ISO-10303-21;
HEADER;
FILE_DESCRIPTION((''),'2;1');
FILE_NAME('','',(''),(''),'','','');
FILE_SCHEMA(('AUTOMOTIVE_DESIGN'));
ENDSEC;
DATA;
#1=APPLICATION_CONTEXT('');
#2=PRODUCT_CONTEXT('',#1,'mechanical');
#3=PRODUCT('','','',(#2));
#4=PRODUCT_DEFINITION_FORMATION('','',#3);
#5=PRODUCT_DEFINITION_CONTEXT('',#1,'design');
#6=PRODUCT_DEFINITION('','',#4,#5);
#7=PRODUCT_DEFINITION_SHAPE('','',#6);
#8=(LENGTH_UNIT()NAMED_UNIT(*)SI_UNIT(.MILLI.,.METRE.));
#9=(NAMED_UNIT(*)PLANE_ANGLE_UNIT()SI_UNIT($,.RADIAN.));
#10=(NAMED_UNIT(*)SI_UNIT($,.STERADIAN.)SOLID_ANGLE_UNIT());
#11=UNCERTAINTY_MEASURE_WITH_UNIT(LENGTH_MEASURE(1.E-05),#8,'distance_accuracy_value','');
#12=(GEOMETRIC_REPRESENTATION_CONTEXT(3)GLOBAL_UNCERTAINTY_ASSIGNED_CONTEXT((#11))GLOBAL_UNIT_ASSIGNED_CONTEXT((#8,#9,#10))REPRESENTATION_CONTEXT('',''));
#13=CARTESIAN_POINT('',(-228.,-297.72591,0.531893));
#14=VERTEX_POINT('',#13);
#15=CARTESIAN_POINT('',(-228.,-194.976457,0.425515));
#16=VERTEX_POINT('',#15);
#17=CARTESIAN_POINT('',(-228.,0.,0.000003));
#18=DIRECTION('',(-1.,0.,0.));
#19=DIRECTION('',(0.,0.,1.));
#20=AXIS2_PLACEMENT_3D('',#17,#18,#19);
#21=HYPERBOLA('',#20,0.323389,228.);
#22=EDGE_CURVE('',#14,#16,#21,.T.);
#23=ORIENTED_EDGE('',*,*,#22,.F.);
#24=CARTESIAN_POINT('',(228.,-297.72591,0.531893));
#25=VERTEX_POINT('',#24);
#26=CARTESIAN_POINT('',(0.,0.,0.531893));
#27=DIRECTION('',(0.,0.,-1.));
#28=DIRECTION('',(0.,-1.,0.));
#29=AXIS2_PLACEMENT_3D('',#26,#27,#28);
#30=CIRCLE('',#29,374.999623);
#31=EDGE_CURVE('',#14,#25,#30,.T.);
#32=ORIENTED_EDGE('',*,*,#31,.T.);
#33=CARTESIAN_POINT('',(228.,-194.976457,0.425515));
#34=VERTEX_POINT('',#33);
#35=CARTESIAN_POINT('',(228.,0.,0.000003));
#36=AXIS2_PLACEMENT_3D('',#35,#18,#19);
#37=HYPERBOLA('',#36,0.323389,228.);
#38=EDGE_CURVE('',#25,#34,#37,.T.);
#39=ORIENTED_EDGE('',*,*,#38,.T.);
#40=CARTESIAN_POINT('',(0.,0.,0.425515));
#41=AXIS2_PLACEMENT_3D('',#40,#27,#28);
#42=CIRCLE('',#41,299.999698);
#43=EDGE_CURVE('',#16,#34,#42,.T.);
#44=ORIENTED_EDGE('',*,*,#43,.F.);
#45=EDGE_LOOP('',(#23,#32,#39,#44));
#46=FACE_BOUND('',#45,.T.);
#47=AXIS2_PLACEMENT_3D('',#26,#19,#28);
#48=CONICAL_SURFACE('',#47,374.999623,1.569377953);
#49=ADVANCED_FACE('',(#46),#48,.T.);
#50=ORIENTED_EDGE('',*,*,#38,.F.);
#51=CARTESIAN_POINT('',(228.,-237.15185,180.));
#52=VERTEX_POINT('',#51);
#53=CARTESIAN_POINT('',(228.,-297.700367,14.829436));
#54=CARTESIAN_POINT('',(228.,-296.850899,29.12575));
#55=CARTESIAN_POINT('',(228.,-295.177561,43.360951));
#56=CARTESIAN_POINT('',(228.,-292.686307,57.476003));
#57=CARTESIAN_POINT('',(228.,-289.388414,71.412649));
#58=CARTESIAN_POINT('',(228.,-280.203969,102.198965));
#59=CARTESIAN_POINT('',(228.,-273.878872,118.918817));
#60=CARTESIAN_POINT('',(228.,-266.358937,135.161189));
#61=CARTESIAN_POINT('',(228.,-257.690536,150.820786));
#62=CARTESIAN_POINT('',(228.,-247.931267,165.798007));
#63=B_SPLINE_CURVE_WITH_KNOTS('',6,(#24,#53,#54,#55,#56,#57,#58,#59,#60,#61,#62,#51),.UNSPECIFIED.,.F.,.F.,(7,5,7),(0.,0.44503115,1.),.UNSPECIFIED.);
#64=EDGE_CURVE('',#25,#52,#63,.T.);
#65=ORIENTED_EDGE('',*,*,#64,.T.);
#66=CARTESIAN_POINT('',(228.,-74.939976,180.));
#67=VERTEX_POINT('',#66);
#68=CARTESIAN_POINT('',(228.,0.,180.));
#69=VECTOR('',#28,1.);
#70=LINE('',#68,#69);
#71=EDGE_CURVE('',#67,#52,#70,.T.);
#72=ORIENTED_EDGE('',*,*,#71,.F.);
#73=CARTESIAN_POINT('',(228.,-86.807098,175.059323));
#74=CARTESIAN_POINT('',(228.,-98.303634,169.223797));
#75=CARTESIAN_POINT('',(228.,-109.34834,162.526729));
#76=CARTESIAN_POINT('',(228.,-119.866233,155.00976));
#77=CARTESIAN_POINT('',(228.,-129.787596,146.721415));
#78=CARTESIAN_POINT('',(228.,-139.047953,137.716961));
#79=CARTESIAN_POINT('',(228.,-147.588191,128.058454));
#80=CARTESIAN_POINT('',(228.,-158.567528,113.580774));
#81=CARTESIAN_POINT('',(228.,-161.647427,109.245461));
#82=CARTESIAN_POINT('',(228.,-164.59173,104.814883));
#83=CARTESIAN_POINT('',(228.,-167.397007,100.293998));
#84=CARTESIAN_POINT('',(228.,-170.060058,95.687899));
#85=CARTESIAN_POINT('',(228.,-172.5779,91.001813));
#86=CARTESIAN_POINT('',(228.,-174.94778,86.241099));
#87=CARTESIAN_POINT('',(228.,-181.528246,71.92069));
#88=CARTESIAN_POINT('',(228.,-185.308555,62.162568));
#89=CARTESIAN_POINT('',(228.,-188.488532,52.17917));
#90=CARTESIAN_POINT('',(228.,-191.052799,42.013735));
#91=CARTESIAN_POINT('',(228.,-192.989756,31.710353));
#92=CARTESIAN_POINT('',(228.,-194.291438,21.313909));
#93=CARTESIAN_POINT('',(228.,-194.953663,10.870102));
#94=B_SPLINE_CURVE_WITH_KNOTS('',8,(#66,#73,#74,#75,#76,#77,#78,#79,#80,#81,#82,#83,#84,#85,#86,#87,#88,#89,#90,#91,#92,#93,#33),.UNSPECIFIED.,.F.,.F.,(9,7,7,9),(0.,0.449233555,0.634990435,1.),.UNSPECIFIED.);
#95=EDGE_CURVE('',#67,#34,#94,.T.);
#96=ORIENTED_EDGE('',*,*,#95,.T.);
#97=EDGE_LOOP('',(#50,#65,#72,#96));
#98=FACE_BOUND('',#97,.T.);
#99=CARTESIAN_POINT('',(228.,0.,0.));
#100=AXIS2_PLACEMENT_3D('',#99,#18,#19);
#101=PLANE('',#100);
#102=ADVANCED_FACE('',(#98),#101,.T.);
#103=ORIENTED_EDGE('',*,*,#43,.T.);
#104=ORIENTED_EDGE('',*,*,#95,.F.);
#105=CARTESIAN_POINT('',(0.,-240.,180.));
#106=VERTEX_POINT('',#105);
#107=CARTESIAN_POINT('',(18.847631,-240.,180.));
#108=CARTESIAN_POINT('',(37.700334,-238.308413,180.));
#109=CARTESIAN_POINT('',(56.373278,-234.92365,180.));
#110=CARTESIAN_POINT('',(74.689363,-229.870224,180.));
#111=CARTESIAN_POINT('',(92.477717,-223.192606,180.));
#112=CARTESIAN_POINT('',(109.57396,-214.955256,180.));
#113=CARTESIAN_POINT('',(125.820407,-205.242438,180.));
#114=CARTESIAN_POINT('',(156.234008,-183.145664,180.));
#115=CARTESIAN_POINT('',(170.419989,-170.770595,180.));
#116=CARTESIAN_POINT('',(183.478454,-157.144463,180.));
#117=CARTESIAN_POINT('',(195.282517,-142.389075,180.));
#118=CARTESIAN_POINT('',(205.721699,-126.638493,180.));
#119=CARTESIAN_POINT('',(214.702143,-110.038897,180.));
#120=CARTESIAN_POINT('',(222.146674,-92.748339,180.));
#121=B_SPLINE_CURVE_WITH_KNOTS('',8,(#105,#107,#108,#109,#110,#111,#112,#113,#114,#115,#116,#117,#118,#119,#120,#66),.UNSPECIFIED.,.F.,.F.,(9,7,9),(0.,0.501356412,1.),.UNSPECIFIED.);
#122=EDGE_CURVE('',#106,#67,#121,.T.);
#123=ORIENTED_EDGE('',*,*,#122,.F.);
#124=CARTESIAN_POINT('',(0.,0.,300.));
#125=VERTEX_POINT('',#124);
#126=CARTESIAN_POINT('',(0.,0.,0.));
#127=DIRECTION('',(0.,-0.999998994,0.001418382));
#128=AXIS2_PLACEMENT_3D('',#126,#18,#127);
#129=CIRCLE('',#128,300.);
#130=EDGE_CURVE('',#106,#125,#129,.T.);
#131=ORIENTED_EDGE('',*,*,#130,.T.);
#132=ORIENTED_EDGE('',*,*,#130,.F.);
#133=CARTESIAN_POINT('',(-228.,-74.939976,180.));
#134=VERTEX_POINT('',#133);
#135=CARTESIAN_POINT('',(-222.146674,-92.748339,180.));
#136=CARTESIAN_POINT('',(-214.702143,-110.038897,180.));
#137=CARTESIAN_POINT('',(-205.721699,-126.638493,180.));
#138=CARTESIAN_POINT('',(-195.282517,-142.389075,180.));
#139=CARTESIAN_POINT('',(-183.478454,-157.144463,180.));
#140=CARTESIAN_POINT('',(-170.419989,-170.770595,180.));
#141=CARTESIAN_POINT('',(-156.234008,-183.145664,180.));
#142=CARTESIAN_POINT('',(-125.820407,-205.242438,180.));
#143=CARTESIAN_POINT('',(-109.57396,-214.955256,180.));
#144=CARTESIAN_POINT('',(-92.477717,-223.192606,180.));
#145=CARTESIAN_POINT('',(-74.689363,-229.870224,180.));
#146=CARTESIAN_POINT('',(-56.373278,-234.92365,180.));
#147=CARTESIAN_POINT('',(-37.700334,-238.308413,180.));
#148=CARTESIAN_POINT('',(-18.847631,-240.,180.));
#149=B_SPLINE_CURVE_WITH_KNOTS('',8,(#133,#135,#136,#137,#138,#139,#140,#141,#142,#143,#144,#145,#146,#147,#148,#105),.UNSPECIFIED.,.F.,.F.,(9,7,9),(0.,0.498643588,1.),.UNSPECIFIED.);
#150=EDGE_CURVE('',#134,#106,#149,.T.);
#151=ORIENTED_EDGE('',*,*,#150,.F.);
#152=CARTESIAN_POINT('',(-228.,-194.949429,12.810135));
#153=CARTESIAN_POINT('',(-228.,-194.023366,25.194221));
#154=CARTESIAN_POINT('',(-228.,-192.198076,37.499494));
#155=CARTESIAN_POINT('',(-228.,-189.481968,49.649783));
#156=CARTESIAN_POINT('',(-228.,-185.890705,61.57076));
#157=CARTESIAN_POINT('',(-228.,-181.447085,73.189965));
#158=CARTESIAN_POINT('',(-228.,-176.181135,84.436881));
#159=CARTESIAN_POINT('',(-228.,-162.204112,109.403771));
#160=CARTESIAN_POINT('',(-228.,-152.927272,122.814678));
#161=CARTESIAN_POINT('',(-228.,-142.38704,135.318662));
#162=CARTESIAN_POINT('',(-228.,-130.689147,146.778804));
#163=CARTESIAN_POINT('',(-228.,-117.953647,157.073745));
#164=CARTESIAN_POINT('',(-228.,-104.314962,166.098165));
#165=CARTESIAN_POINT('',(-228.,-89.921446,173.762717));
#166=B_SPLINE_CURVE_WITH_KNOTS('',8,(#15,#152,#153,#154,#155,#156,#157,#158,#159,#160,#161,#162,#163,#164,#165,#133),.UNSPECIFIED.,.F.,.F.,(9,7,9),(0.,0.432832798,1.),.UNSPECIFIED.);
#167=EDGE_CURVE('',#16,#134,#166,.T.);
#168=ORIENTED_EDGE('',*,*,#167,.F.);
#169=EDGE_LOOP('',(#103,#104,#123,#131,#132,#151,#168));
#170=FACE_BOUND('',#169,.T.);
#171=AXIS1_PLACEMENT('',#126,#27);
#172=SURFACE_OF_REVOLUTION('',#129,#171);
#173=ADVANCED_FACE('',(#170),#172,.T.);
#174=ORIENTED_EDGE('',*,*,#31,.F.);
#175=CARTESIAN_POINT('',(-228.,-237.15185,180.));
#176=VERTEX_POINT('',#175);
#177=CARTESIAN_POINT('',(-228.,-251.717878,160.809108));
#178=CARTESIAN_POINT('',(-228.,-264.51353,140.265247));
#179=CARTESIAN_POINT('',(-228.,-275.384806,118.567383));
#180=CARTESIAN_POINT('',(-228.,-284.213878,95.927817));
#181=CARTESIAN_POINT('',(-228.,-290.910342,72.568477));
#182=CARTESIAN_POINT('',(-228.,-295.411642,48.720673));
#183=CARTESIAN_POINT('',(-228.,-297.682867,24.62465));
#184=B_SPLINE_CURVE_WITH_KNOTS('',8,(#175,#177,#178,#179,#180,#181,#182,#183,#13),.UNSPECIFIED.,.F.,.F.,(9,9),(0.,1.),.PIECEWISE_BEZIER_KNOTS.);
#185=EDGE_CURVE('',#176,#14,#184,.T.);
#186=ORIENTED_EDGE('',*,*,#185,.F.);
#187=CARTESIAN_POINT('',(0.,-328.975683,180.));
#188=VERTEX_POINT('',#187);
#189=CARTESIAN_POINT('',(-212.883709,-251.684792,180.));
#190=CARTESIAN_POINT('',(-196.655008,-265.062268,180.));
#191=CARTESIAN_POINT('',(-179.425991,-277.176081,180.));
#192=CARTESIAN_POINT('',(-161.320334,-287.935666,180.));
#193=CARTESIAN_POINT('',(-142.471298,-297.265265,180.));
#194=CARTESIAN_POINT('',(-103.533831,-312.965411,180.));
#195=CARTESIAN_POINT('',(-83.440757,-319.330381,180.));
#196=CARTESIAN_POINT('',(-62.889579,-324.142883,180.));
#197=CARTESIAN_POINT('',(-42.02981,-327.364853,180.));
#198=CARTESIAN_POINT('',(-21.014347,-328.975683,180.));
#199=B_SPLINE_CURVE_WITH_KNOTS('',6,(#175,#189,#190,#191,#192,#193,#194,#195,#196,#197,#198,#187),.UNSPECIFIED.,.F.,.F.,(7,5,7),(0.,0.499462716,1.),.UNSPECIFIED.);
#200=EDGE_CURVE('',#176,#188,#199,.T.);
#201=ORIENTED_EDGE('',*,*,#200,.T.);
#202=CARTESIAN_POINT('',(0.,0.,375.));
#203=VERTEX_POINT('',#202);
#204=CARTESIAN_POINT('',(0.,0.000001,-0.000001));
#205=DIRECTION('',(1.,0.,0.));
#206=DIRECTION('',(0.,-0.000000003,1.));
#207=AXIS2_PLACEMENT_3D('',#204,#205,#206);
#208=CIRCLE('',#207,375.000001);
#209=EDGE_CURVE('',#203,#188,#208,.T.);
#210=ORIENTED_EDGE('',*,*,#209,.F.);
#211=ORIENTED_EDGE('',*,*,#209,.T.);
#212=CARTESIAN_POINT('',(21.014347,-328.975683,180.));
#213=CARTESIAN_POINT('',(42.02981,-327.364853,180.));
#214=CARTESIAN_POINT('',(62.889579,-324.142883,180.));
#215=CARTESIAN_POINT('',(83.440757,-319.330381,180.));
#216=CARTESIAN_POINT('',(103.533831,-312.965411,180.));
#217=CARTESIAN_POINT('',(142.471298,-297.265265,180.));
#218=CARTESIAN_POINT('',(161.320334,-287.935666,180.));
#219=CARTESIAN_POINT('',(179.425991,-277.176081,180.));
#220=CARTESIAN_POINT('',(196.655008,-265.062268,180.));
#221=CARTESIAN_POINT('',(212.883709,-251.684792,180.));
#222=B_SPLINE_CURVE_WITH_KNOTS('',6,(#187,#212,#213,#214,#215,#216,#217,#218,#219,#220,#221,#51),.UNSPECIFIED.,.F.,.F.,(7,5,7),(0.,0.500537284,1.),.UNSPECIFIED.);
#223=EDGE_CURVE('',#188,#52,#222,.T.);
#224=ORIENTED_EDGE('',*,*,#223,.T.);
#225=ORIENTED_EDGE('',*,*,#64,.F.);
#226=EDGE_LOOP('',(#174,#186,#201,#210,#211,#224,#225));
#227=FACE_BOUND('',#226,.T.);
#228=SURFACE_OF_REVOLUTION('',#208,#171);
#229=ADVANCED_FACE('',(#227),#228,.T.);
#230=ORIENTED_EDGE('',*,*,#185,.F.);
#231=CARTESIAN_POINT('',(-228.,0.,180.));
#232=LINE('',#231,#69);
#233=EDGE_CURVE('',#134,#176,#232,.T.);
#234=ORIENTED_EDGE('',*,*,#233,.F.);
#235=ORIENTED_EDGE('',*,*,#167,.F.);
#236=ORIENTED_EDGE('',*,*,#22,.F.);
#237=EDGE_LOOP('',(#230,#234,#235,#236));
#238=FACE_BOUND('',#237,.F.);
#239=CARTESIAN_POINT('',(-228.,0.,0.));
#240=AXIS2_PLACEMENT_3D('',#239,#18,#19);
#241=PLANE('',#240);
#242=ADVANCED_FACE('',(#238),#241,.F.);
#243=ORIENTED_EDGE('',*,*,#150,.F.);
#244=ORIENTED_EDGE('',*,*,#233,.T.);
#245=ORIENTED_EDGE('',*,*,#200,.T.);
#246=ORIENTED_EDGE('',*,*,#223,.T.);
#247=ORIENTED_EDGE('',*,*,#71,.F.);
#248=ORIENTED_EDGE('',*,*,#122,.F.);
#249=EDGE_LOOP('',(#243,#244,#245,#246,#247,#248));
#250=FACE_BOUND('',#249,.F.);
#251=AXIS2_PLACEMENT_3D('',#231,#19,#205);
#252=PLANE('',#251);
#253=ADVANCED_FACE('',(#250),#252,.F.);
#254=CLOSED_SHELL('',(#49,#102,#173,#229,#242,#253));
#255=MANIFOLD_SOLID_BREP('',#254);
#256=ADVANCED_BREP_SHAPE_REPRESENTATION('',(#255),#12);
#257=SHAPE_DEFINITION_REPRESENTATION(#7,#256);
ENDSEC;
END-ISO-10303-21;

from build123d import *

# Parameters (mm, degrees)
F2_W     = 456
F2_H     = 180
F3_DEPTH = 400


with BuildPart() as f1:
    # F0 (on Right) → F1 (revolve)
    with BuildSketch(Plane.YZ):
        with BuildLine():
            ThreePointArc((-299.999698, 0.425515), (-211.981539, 212.282423), (0, 300))
            Line((0, 300), (0, 375))
            ThreePointArc((0, 375), (-264.976923, 265.353029), (-374.999623, 0.531893))
            Line((-374.999623, 0.531893), (-299.999698, 0.425515))
        make_face()
    revolve(axis=Axis((0, 0, 0), (0, 0, -1)))

    # F2 (on Front) → F3 (cut)
    with BuildSketch(Plane.XZ):
        with Locations((0, 90)):
            Rectangle(F2_W, F2_H)
    extrude(amount=F3_DEPTH, mode=Mode.SUBTRACT)


solid = f1.part
